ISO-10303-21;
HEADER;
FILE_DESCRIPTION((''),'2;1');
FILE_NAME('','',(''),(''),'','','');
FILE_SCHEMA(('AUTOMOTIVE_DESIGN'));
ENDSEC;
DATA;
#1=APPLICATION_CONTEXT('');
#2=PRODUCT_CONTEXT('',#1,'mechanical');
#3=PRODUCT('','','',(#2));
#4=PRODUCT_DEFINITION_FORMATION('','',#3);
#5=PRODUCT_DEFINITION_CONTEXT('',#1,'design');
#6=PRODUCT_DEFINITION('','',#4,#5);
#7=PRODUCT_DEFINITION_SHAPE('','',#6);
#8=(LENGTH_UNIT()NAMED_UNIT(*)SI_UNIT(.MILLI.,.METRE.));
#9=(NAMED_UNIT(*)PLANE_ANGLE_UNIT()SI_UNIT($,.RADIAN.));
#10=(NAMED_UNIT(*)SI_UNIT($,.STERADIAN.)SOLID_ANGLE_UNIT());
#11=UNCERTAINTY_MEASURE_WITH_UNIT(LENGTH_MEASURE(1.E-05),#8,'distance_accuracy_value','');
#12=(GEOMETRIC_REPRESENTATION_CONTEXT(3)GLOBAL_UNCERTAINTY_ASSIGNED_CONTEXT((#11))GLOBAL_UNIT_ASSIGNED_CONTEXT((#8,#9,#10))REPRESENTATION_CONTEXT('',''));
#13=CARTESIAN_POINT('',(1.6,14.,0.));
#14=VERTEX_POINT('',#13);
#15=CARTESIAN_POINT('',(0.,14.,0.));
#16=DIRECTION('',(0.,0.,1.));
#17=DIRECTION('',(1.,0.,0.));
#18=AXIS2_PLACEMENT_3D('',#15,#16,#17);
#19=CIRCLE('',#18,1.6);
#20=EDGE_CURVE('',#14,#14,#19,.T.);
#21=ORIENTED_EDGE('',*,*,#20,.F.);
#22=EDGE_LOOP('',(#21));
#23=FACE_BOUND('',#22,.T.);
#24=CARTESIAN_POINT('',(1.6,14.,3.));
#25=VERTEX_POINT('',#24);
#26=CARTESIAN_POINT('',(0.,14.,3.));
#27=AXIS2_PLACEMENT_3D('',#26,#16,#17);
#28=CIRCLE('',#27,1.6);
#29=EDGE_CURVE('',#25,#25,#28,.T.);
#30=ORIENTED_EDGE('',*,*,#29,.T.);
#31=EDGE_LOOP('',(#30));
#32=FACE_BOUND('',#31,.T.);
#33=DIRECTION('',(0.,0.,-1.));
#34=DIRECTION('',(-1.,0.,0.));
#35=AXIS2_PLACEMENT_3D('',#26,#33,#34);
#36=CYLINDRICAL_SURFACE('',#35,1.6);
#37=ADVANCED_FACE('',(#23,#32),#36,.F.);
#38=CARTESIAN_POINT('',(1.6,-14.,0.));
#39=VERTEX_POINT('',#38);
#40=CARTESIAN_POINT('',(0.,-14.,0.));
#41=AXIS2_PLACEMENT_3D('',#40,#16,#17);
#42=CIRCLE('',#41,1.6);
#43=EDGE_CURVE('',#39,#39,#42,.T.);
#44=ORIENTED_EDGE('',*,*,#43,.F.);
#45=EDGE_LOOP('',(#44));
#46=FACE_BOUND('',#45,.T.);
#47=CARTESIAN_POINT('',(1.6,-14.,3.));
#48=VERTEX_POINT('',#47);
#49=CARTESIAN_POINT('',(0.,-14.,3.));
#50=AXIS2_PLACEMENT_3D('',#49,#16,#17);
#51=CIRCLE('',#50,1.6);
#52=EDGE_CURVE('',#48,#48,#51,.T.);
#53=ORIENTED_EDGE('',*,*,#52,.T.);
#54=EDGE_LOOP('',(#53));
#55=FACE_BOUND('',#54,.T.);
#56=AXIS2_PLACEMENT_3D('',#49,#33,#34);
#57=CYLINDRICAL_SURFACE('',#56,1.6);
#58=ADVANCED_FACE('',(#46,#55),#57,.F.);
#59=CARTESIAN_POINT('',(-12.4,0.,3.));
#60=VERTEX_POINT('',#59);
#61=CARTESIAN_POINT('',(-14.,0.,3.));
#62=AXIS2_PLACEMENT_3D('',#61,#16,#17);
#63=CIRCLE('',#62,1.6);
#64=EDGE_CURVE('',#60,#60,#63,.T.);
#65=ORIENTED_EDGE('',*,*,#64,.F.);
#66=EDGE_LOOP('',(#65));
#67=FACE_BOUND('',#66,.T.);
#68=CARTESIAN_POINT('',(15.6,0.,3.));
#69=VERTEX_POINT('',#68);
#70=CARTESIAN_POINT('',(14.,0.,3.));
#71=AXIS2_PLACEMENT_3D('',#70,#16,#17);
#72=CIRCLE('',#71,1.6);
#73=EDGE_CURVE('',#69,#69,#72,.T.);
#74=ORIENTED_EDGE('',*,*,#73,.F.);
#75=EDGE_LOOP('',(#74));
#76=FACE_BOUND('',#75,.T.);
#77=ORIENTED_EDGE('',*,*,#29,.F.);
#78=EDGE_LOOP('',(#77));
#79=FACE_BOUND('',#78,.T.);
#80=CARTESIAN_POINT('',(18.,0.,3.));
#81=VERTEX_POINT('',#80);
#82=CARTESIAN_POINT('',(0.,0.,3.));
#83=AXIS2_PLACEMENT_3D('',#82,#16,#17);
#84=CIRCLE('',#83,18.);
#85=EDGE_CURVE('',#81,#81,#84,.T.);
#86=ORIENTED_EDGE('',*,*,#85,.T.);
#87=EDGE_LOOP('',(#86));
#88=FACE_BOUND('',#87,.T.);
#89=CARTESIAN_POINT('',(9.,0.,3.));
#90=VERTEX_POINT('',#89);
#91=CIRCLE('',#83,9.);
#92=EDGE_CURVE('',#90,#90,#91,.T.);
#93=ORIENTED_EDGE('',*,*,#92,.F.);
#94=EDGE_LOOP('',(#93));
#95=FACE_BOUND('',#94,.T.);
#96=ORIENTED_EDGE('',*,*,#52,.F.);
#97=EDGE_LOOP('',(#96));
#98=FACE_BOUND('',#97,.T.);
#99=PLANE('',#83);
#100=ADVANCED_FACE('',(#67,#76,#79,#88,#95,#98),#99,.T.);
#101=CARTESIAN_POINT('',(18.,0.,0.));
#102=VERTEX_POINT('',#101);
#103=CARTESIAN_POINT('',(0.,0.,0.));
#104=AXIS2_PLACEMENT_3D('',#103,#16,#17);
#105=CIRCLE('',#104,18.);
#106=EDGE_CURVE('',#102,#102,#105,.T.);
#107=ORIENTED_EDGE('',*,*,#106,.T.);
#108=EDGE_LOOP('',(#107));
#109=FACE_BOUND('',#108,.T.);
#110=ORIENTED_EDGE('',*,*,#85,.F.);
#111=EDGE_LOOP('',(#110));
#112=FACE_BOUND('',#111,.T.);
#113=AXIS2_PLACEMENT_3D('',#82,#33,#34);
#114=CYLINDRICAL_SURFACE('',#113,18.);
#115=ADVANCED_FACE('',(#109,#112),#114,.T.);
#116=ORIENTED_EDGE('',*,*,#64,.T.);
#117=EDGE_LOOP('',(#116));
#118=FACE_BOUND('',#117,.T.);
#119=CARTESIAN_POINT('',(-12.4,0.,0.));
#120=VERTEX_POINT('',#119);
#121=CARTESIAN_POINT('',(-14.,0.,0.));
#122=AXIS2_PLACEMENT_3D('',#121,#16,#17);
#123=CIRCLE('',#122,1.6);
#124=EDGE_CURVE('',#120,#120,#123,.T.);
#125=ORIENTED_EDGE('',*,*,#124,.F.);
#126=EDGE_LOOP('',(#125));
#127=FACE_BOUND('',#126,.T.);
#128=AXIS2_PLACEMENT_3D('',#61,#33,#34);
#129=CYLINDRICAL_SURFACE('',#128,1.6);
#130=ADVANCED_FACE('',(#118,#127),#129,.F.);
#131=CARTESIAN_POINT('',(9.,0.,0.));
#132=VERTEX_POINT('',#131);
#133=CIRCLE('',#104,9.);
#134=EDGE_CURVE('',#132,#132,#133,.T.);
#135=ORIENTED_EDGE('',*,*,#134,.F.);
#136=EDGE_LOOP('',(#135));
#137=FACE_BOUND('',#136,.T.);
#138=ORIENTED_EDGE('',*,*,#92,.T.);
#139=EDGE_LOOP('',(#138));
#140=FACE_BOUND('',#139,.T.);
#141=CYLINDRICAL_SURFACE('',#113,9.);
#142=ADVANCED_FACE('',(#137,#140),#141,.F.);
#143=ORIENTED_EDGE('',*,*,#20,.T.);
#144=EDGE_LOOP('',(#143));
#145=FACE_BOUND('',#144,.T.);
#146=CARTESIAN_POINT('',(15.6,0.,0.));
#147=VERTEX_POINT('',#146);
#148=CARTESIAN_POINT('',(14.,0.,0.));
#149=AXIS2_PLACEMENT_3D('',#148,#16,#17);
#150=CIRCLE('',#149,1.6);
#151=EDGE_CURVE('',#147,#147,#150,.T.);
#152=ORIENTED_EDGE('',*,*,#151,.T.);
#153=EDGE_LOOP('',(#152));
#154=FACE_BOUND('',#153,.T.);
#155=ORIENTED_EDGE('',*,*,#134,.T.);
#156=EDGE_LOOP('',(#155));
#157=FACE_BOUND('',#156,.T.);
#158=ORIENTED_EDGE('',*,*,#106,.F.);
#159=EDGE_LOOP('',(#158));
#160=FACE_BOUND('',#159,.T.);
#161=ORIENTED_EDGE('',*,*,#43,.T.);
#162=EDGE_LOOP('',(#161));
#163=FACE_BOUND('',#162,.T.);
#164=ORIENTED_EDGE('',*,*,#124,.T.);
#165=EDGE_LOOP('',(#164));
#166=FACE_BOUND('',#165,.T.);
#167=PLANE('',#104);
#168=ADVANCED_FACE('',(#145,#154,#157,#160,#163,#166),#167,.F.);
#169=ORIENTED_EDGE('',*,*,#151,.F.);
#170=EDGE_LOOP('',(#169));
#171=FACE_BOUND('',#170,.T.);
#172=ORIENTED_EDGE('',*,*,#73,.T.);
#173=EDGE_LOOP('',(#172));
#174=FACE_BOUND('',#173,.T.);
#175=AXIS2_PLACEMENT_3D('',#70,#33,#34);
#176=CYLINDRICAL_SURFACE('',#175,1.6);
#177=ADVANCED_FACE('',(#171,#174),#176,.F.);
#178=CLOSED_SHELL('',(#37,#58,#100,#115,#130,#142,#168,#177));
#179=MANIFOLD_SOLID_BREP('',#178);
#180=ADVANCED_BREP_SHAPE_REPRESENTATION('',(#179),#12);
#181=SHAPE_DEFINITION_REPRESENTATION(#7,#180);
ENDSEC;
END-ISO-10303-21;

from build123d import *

# Parameters (mm, degrees)
MODEL_R         = 18
MODEL_R_2       = 9
MODEL_R_3       = 1.6
EXTRUDE_1_DEPTH = 3


with BuildPart() as part:
    # Model → 凸台-拉伸1 (new body)
    with BuildSketch(Plane.XY):
        Circle(MODEL_R)
        Circle(MODEL_R_2, mode=Mode.SUBTRACT)
        with Locations((0, 14)):
            Circle(MODEL_R_3, mode=Mode.SUBTRACT)
        with Locations((-14, 0)):
            Circle(MODEL_R_3, mode=Mode.SUBTRACT)
        with Locations((0, -14)):
            Circle(MODEL_R_3, mode=Mode.SUBTRACT)
        with Locations((14, 0)):
            Circle(MODEL_R_3, mode=Mode.SUBTRACT)
    extrude(amount=EXTRUDE_1_DEPTH)


solid = part.part
